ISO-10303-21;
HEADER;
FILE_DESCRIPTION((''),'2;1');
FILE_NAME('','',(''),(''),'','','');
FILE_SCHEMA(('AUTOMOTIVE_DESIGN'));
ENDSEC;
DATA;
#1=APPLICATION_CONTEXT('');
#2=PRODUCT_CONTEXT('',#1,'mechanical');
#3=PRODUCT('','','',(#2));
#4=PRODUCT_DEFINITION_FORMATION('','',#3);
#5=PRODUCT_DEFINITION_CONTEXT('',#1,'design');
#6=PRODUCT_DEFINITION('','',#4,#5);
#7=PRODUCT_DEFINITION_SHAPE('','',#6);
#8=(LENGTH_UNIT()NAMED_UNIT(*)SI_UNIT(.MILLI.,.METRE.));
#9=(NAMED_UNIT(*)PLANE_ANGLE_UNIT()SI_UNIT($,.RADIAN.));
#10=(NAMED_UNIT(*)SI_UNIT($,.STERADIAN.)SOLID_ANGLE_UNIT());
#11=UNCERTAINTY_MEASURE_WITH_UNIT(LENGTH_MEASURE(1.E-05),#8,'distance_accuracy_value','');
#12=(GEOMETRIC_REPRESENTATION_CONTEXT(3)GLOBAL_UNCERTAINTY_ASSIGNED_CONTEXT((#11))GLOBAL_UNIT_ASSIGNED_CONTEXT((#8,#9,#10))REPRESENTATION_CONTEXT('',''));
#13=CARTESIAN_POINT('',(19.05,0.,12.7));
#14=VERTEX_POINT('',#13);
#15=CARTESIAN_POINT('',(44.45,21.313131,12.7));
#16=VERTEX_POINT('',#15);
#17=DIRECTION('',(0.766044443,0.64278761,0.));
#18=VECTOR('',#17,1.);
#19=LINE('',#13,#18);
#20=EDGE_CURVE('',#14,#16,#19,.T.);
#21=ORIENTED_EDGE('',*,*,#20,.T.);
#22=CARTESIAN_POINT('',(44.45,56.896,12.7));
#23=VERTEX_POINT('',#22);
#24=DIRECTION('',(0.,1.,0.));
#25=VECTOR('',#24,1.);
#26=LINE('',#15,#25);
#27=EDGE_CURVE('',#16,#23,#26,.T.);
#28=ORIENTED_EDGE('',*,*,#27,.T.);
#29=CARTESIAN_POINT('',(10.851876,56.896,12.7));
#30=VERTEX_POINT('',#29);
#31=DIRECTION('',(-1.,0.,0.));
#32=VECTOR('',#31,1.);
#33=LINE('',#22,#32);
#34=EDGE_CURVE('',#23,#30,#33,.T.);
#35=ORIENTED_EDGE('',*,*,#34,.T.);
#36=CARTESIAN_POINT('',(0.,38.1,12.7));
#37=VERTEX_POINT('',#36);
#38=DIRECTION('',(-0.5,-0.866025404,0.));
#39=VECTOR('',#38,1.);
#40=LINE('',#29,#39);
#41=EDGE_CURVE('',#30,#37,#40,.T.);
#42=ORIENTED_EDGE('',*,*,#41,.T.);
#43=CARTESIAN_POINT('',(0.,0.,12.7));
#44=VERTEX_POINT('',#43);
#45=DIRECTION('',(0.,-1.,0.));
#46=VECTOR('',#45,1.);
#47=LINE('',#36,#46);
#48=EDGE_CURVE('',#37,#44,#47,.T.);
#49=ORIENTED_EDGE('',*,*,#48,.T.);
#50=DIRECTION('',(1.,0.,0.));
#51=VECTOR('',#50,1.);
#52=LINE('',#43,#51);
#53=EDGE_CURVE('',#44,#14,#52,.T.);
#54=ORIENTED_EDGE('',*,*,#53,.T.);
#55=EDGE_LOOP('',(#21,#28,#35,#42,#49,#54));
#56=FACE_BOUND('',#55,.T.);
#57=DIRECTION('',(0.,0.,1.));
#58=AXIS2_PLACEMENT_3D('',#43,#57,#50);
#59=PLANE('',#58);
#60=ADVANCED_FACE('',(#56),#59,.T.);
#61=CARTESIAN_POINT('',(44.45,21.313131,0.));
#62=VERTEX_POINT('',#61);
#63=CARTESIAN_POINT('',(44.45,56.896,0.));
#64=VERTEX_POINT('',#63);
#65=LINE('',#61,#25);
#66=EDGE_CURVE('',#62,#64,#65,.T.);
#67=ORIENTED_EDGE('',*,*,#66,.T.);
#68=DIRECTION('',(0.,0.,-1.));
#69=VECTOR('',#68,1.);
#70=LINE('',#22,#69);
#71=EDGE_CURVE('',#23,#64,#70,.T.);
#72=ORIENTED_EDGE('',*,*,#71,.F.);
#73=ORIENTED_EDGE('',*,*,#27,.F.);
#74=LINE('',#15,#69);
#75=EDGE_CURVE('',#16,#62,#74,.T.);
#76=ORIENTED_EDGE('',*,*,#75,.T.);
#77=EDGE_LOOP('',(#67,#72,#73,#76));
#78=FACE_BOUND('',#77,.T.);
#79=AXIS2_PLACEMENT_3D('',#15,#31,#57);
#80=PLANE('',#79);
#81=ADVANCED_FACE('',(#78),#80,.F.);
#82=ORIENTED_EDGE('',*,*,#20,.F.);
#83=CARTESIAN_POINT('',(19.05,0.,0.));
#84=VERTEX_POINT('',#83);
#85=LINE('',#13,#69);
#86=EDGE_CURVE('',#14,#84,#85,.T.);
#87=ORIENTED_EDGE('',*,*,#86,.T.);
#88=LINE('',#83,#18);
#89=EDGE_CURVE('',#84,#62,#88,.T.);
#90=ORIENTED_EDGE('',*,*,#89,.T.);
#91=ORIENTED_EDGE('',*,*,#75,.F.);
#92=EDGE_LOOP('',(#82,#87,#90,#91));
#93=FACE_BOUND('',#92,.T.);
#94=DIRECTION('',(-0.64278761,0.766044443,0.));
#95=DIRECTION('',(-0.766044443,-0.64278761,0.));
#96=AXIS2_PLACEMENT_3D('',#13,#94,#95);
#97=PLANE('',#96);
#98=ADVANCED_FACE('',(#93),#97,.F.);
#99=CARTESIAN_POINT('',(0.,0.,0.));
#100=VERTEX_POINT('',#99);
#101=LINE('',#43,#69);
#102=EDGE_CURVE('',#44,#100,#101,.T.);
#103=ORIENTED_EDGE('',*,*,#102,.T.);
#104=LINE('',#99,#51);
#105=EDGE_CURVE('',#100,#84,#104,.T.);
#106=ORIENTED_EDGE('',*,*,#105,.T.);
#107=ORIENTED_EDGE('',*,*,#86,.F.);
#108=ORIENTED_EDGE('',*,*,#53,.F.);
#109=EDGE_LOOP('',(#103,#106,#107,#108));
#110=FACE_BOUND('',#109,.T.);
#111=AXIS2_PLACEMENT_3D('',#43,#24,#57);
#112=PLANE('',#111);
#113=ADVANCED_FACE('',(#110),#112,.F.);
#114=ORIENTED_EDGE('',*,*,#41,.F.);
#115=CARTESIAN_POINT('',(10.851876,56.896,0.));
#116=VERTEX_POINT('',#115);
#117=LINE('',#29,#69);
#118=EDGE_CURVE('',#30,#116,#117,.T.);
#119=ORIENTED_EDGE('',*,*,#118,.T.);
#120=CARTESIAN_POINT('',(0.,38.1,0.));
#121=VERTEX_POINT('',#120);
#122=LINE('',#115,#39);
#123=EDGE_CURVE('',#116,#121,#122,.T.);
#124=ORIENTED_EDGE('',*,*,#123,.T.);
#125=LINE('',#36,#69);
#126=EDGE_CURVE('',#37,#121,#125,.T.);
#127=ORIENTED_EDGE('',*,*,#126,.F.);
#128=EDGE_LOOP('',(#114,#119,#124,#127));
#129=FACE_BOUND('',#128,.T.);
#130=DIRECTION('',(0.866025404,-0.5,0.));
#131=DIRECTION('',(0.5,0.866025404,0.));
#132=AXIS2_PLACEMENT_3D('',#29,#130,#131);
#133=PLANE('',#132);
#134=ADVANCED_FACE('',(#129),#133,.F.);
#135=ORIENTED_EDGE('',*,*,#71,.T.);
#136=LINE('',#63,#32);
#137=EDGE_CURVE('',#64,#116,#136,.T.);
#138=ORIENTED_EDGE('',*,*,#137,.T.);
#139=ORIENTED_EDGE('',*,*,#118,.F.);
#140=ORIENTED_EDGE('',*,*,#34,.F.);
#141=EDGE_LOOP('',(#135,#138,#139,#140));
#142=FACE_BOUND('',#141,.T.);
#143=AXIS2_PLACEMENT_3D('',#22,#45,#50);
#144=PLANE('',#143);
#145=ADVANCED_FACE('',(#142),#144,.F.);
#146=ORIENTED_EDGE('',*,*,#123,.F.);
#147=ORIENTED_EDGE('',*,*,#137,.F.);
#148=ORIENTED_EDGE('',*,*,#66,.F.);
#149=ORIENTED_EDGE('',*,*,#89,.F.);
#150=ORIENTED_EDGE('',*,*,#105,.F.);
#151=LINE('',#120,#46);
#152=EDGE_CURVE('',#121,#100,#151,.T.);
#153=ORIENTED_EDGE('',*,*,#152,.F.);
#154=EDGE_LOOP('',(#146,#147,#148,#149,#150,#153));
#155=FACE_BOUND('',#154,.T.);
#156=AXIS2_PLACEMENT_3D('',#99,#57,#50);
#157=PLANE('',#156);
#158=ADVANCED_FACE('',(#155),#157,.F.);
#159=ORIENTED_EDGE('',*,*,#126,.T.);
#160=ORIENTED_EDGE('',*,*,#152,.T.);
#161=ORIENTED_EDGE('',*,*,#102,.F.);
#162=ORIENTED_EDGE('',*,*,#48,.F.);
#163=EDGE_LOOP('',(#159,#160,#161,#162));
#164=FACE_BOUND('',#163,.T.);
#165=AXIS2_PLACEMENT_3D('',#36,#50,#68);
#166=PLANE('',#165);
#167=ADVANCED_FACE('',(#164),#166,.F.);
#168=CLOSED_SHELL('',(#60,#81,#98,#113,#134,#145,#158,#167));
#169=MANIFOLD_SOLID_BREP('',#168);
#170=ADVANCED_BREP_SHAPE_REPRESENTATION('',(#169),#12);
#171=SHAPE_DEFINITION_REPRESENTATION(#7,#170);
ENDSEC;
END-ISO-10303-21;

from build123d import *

# Parameters (mm, degrees)
BOSS_EXTRUDE1_DEPTH = 12.7


with BuildPart() as part:
    # Sketch1 → Boss-Extrude1 (new body)
    with BuildSketch(Plane.XY):
        Polygon((0, 0), (19.05, 0), (44.45, 21.313130632), (44.45, 56.896), (10.85187566, 56.896), (0, 38.1), align=None)
    extrude(amount=BOSS_EXTRUDE1_DEPTH)


solid = part.part
